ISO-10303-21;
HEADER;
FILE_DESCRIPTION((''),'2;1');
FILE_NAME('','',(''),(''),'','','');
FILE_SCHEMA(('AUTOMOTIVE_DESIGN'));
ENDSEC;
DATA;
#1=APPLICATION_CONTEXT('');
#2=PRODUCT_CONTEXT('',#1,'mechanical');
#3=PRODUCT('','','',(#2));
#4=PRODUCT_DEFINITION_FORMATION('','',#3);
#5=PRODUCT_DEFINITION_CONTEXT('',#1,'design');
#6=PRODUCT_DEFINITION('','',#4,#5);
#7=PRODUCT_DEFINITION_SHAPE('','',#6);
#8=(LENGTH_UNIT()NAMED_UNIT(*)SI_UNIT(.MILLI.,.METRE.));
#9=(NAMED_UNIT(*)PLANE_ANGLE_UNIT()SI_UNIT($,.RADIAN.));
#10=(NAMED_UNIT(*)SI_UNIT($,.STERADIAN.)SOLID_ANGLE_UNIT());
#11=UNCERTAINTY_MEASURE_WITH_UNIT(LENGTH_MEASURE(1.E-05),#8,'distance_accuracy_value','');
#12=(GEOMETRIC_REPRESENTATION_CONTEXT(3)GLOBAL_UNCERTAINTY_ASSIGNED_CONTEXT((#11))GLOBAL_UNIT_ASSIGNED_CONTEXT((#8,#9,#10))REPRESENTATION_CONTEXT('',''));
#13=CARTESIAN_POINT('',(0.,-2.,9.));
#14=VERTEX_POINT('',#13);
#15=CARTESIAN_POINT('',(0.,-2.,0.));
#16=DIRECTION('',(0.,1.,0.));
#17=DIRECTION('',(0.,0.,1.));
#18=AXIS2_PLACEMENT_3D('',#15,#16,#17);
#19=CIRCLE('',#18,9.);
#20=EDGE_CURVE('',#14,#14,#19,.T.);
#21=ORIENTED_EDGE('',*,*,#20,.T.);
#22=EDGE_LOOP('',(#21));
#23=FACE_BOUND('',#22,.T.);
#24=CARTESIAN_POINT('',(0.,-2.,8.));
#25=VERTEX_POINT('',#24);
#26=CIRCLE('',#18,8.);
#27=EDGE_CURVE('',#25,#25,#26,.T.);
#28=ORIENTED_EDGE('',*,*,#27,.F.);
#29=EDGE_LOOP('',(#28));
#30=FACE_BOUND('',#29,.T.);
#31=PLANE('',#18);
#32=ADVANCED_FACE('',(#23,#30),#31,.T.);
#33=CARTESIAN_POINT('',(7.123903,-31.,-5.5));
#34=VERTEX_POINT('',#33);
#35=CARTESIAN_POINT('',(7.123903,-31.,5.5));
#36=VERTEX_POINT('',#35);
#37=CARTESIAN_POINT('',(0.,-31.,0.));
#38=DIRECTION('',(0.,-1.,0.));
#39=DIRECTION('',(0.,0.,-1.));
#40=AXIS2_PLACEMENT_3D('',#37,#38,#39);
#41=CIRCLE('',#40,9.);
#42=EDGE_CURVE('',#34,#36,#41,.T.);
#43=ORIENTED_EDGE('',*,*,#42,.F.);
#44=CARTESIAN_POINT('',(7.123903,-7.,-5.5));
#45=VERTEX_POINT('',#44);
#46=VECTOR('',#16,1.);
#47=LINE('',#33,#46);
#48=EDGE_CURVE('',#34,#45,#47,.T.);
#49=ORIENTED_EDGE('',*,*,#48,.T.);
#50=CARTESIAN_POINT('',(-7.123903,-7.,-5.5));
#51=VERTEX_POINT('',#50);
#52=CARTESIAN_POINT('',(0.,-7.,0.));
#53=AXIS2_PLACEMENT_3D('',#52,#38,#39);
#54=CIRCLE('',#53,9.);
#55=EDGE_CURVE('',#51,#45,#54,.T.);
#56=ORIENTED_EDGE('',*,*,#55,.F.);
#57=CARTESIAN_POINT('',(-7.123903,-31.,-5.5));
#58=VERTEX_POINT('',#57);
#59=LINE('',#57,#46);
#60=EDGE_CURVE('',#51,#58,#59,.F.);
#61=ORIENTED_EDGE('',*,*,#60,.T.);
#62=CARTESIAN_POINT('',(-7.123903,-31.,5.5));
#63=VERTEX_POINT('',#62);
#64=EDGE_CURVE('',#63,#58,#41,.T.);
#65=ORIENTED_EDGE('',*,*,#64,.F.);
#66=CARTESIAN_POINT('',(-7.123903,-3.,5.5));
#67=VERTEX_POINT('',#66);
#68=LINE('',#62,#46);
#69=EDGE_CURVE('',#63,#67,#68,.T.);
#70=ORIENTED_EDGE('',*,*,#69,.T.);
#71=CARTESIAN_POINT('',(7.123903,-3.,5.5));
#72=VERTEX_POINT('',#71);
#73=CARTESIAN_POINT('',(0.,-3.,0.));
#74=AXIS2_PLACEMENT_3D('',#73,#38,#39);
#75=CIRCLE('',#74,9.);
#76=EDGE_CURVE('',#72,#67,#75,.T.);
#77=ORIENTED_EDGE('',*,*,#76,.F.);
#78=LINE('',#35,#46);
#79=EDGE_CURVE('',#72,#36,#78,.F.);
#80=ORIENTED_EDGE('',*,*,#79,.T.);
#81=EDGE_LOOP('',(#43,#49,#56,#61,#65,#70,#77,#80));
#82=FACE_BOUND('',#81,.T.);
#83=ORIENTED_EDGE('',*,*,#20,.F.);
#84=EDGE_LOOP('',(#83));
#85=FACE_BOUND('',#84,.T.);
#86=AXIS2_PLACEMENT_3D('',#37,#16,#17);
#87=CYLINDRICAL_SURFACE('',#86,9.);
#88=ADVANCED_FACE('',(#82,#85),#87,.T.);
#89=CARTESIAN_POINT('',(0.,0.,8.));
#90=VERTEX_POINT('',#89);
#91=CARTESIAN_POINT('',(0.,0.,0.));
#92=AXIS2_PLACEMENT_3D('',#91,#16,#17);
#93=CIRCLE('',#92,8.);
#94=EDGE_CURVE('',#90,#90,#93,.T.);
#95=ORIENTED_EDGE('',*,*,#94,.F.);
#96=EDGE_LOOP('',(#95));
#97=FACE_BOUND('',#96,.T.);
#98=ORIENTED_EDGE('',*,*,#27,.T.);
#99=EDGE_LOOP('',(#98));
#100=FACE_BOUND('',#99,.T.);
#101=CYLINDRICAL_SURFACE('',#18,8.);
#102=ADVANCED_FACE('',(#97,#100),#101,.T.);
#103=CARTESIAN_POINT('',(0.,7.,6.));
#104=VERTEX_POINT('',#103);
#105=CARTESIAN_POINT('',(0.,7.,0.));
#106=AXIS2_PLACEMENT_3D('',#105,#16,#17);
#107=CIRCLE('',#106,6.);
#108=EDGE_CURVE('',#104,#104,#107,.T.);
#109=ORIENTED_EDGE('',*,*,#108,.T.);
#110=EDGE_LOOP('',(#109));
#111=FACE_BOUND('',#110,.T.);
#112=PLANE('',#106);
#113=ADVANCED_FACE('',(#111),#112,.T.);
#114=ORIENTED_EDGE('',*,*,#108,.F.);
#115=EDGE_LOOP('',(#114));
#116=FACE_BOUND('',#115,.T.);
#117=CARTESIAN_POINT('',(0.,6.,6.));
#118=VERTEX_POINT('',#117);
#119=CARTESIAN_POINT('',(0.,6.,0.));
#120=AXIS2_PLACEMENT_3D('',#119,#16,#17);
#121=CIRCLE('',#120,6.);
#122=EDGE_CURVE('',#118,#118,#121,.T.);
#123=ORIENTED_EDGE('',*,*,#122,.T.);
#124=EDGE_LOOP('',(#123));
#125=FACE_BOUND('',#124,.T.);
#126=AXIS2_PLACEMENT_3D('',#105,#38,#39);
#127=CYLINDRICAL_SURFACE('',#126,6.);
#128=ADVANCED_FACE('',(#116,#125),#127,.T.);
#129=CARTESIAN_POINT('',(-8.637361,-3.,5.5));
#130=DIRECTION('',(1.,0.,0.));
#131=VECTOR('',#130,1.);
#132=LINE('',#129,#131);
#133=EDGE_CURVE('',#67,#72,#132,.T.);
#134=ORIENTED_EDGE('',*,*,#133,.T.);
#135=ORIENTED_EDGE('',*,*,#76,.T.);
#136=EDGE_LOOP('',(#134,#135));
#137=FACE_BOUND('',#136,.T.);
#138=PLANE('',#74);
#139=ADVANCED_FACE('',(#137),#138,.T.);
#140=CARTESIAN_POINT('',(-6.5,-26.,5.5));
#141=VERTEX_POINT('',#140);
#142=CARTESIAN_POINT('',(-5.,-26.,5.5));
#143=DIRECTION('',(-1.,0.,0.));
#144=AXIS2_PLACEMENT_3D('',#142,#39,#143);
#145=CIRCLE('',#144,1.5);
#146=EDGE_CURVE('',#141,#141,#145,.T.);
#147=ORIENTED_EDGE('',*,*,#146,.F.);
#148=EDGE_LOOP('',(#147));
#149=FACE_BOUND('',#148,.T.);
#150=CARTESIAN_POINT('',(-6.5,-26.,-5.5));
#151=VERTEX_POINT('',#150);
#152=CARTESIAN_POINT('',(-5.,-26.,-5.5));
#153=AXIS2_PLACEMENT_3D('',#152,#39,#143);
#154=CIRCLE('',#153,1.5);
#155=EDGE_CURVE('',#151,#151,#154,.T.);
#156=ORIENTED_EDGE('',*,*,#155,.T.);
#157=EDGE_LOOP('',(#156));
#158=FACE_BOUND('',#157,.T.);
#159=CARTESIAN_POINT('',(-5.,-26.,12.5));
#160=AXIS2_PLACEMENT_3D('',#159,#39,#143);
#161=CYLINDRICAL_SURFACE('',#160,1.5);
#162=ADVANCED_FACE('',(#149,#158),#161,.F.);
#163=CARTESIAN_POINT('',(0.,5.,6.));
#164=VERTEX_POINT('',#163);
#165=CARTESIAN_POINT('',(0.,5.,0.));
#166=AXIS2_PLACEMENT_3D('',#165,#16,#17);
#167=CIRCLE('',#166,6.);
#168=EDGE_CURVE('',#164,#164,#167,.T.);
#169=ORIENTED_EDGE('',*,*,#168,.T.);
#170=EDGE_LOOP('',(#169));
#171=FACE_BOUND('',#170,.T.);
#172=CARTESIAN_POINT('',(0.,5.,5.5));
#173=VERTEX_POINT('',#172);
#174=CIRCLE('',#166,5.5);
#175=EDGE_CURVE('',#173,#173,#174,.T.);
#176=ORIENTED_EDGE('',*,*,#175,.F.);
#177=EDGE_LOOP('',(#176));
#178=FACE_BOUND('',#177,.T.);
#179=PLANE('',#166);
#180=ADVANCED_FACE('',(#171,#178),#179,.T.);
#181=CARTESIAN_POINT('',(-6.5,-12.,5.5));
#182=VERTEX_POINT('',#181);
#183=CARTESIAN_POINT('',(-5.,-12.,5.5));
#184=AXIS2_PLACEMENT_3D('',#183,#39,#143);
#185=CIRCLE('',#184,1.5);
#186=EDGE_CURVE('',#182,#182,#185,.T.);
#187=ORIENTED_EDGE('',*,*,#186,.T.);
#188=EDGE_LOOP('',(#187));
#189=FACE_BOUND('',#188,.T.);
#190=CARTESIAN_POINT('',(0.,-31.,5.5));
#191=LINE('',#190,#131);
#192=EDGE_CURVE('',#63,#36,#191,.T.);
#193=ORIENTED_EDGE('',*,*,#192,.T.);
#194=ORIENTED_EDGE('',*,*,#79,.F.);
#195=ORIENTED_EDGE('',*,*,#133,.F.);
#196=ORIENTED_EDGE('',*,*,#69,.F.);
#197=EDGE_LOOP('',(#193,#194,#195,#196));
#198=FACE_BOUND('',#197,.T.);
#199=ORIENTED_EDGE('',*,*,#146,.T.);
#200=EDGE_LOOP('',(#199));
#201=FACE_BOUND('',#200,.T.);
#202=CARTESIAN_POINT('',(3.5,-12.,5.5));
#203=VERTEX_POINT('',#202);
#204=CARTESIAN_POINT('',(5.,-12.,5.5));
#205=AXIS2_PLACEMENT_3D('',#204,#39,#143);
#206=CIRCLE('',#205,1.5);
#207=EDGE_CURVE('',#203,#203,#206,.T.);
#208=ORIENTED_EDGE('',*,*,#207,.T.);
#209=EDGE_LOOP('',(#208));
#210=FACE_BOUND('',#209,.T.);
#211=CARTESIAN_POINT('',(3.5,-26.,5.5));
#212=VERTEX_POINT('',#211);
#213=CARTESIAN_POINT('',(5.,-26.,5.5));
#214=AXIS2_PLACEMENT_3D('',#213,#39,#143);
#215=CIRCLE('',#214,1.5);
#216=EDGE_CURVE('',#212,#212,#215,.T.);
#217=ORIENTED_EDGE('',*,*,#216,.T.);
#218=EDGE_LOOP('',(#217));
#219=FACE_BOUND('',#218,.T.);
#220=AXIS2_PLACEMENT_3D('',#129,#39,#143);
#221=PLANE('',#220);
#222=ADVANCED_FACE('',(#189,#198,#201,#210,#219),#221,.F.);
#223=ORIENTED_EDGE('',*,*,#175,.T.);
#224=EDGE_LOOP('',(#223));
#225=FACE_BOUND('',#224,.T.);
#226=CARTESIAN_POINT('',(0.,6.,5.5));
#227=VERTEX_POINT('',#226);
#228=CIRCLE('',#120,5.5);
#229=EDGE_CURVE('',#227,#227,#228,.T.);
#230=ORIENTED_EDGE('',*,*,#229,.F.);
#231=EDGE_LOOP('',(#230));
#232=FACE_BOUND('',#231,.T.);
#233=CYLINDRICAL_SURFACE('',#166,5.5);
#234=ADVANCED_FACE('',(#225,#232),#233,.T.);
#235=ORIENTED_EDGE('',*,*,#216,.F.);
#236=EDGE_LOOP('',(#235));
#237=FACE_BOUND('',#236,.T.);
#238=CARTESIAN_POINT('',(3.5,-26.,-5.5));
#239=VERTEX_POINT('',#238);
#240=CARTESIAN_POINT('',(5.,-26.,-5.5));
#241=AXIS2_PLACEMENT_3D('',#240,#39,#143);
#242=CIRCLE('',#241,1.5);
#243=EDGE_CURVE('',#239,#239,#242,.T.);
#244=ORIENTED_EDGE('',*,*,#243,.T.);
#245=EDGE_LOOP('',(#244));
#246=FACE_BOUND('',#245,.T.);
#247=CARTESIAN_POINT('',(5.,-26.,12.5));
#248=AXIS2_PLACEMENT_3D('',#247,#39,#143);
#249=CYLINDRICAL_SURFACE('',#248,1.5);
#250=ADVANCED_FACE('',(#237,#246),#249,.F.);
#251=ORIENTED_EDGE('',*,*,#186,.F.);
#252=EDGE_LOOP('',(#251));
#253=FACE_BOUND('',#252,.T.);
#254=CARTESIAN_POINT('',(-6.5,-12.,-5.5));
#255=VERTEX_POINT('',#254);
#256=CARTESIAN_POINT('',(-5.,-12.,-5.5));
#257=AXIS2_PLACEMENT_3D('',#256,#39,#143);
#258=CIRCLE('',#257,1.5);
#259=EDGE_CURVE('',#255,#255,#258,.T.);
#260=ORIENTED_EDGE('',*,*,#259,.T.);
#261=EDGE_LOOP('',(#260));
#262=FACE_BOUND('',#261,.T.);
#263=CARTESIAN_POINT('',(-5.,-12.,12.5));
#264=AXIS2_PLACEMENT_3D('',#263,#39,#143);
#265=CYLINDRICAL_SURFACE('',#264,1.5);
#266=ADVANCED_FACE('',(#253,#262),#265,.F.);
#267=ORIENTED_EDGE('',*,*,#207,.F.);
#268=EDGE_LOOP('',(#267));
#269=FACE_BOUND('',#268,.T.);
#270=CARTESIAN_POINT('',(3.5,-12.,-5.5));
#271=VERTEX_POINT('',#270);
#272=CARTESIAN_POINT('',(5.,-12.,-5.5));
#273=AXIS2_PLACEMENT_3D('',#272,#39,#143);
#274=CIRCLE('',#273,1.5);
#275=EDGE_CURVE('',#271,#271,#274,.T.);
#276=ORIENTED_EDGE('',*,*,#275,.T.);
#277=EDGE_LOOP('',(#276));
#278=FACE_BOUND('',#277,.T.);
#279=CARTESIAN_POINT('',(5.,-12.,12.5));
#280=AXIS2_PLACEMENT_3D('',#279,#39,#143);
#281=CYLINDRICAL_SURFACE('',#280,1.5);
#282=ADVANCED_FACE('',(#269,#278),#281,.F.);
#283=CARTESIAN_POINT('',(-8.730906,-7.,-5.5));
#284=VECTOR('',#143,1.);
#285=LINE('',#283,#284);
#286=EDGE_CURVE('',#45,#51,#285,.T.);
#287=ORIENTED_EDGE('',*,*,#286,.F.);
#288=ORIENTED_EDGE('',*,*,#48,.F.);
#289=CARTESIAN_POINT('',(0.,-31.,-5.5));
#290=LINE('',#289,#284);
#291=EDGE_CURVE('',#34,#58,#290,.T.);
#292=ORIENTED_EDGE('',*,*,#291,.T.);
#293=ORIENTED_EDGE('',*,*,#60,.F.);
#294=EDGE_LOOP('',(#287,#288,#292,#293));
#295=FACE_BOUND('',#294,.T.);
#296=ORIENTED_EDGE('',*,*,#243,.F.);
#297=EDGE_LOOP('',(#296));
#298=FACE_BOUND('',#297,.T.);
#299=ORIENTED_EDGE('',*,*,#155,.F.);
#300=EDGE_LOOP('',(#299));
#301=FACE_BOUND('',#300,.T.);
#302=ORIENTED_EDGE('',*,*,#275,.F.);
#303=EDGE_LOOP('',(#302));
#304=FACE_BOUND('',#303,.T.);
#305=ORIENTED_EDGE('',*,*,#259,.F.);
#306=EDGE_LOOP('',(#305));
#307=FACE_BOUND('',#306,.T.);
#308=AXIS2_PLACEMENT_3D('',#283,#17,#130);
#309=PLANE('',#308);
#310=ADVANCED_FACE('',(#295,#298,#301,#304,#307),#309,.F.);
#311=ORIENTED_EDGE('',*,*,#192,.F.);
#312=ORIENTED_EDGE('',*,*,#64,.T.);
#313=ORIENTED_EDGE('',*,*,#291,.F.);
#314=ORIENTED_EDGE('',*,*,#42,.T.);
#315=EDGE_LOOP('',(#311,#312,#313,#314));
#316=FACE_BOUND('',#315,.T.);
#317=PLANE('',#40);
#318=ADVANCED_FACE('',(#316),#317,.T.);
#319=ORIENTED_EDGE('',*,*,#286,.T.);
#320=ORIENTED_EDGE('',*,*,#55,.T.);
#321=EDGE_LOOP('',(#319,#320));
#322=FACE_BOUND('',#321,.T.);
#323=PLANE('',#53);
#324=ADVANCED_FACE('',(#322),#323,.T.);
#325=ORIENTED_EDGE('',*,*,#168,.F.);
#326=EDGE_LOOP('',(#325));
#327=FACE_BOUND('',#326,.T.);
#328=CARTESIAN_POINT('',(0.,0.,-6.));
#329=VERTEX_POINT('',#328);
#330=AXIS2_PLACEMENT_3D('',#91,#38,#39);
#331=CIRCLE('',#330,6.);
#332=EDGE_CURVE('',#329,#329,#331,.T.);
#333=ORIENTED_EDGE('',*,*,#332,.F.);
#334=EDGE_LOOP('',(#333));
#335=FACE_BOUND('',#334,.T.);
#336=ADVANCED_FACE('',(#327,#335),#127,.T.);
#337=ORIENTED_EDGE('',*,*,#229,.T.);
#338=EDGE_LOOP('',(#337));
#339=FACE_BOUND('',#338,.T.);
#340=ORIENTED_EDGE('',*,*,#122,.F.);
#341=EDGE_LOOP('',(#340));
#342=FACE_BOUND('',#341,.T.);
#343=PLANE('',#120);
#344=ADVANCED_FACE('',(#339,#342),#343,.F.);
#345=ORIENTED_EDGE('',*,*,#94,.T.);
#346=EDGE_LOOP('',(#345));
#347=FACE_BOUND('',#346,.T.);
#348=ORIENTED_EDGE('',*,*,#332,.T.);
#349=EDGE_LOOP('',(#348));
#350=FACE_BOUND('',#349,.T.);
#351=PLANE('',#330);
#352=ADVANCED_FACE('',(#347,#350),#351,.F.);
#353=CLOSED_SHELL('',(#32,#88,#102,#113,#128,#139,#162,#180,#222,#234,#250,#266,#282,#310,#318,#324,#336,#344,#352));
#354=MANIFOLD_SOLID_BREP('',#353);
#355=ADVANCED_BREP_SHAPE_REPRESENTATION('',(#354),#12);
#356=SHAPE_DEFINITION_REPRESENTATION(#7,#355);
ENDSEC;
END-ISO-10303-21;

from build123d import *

# Parameters (mm, degrees)
SKETCH_1_R          = 6
EXTRUDE_1_DEPTH     = 7
SKETCH_2_R          = 9
EXTRUDE_2_DEPTH     = 31
SKETCH_3_W          = 19.613357353
SKETCH_3_H          = 3.5
CUT_EXTRUDE_1_DEPTH = 24
SKETCH_4_W          = 20.018720859
SKETCH_4_H          = 3.5
CUT_EXTRUDE_2_DEPTH = 28
SKETCH_5_R          = 1.5
CUT_EXTRUDE_3_DEPTH = 18
SKETCH_11_R         = 10.638163441
SKETCH_11_R_2       = 5.5
CUT_EXTRUDE_4_DEPTH = 1
SKETCH_12_R         = 9
SKETCH_12_R_2       = 8
CUT_EXTRUDE_7_DEPTH = 2


with BuildPart() as part:
    # 草图1 → 凸台-拉伸1 (new body)
    with BuildSketch(Plane(origin=(0, 0, 0), x_dir=(1, 0, 0), z_dir=(0, 1, 0))):
        Circle(SKETCH_1_R)
    extrude(amount=EXTRUDE_1_DEPTH)

    # 草图2 → 凸台-拉伸2 (add)
    with BuildSketch(Plane.XZ):
        Circle(SKETCH_2_R)
    extrude(amount=EXTRUDE_2_DEPTH)

    # 草图3 → 切除-拉伸1 (cut)
    with BuildSketch(Plane.XZ.offset(31)):
        with Locations((1.075772383, -7.25)):
            Rectangle(SKETCH_3_W, SKETCH_3_H)
    extrude(amount=-CUT_EXTRUDE_1_DEPTH, mode=Mode.SUBTRACT)

    # 草图4 → 切除-拉伸2 (cut)
    with BuildSketch(Plane.XZ.offset(31)):
        with Locations((1.37199956, 7.25)):
            Rectangle(SKETCH_4_W, SKETCH_4_H)
    extrude(amount=-CUT_EXTRUDE_2_DEPTH, mode=Mode.SUBTRACT)

    # 草图5 → 切除-拉伸3 (cut)
    with BuildSketch(Plane(origin=(0, 0, -5.5), x_dir=(-1, 0, 0), z_dir=(0, 0, -1))):
        with Locations((-5, -26)):
            Circle(SKETCH_5_R)
        with Locations((5, -26)):
            Circle(SKETCH_5_R)
        with Locations((5, -12)):
            Circle(SKETCH_5_R)
        with Locations((-5, -12)):
            Circle(SKETCH_5_R)
    extrude(amount=-CUT_EXTRUDE_3_DEPTH, mode=Mode.SUBTRACT)

    # 草图11 → 切除-拉伸4 (cut)
    with BuildSketch(Plane(origin=(0, 6, 0), x_dir=(1, 0, 0), z_dir=(0, 1, 0))):
        Circle(SKETCH_11_R)
        Circle(SKETCH_11_R_2, mode=Mode.SUBTRACT)
    extrude(amount=-CUT_EXTRUDE_4_DEPTH, mode=Mode.SUBTRACT)

    # 草图12 → 切除-拉伸7 (cut)
    with BuildSketch(Plane(origin=(0, 0, 0), x_dir=(1, 0, 0), z_dir=(0, 1, 0))):
        Circle(SKETCH_12_R)
        Circle(SKETCH_12_R_2, mode=Mode.SUBTRACT)
    extrude(amount=-CUT_EXTRUDE_7_DEPTH, mode=Mode.SUBTRACT)


solid = part.part
